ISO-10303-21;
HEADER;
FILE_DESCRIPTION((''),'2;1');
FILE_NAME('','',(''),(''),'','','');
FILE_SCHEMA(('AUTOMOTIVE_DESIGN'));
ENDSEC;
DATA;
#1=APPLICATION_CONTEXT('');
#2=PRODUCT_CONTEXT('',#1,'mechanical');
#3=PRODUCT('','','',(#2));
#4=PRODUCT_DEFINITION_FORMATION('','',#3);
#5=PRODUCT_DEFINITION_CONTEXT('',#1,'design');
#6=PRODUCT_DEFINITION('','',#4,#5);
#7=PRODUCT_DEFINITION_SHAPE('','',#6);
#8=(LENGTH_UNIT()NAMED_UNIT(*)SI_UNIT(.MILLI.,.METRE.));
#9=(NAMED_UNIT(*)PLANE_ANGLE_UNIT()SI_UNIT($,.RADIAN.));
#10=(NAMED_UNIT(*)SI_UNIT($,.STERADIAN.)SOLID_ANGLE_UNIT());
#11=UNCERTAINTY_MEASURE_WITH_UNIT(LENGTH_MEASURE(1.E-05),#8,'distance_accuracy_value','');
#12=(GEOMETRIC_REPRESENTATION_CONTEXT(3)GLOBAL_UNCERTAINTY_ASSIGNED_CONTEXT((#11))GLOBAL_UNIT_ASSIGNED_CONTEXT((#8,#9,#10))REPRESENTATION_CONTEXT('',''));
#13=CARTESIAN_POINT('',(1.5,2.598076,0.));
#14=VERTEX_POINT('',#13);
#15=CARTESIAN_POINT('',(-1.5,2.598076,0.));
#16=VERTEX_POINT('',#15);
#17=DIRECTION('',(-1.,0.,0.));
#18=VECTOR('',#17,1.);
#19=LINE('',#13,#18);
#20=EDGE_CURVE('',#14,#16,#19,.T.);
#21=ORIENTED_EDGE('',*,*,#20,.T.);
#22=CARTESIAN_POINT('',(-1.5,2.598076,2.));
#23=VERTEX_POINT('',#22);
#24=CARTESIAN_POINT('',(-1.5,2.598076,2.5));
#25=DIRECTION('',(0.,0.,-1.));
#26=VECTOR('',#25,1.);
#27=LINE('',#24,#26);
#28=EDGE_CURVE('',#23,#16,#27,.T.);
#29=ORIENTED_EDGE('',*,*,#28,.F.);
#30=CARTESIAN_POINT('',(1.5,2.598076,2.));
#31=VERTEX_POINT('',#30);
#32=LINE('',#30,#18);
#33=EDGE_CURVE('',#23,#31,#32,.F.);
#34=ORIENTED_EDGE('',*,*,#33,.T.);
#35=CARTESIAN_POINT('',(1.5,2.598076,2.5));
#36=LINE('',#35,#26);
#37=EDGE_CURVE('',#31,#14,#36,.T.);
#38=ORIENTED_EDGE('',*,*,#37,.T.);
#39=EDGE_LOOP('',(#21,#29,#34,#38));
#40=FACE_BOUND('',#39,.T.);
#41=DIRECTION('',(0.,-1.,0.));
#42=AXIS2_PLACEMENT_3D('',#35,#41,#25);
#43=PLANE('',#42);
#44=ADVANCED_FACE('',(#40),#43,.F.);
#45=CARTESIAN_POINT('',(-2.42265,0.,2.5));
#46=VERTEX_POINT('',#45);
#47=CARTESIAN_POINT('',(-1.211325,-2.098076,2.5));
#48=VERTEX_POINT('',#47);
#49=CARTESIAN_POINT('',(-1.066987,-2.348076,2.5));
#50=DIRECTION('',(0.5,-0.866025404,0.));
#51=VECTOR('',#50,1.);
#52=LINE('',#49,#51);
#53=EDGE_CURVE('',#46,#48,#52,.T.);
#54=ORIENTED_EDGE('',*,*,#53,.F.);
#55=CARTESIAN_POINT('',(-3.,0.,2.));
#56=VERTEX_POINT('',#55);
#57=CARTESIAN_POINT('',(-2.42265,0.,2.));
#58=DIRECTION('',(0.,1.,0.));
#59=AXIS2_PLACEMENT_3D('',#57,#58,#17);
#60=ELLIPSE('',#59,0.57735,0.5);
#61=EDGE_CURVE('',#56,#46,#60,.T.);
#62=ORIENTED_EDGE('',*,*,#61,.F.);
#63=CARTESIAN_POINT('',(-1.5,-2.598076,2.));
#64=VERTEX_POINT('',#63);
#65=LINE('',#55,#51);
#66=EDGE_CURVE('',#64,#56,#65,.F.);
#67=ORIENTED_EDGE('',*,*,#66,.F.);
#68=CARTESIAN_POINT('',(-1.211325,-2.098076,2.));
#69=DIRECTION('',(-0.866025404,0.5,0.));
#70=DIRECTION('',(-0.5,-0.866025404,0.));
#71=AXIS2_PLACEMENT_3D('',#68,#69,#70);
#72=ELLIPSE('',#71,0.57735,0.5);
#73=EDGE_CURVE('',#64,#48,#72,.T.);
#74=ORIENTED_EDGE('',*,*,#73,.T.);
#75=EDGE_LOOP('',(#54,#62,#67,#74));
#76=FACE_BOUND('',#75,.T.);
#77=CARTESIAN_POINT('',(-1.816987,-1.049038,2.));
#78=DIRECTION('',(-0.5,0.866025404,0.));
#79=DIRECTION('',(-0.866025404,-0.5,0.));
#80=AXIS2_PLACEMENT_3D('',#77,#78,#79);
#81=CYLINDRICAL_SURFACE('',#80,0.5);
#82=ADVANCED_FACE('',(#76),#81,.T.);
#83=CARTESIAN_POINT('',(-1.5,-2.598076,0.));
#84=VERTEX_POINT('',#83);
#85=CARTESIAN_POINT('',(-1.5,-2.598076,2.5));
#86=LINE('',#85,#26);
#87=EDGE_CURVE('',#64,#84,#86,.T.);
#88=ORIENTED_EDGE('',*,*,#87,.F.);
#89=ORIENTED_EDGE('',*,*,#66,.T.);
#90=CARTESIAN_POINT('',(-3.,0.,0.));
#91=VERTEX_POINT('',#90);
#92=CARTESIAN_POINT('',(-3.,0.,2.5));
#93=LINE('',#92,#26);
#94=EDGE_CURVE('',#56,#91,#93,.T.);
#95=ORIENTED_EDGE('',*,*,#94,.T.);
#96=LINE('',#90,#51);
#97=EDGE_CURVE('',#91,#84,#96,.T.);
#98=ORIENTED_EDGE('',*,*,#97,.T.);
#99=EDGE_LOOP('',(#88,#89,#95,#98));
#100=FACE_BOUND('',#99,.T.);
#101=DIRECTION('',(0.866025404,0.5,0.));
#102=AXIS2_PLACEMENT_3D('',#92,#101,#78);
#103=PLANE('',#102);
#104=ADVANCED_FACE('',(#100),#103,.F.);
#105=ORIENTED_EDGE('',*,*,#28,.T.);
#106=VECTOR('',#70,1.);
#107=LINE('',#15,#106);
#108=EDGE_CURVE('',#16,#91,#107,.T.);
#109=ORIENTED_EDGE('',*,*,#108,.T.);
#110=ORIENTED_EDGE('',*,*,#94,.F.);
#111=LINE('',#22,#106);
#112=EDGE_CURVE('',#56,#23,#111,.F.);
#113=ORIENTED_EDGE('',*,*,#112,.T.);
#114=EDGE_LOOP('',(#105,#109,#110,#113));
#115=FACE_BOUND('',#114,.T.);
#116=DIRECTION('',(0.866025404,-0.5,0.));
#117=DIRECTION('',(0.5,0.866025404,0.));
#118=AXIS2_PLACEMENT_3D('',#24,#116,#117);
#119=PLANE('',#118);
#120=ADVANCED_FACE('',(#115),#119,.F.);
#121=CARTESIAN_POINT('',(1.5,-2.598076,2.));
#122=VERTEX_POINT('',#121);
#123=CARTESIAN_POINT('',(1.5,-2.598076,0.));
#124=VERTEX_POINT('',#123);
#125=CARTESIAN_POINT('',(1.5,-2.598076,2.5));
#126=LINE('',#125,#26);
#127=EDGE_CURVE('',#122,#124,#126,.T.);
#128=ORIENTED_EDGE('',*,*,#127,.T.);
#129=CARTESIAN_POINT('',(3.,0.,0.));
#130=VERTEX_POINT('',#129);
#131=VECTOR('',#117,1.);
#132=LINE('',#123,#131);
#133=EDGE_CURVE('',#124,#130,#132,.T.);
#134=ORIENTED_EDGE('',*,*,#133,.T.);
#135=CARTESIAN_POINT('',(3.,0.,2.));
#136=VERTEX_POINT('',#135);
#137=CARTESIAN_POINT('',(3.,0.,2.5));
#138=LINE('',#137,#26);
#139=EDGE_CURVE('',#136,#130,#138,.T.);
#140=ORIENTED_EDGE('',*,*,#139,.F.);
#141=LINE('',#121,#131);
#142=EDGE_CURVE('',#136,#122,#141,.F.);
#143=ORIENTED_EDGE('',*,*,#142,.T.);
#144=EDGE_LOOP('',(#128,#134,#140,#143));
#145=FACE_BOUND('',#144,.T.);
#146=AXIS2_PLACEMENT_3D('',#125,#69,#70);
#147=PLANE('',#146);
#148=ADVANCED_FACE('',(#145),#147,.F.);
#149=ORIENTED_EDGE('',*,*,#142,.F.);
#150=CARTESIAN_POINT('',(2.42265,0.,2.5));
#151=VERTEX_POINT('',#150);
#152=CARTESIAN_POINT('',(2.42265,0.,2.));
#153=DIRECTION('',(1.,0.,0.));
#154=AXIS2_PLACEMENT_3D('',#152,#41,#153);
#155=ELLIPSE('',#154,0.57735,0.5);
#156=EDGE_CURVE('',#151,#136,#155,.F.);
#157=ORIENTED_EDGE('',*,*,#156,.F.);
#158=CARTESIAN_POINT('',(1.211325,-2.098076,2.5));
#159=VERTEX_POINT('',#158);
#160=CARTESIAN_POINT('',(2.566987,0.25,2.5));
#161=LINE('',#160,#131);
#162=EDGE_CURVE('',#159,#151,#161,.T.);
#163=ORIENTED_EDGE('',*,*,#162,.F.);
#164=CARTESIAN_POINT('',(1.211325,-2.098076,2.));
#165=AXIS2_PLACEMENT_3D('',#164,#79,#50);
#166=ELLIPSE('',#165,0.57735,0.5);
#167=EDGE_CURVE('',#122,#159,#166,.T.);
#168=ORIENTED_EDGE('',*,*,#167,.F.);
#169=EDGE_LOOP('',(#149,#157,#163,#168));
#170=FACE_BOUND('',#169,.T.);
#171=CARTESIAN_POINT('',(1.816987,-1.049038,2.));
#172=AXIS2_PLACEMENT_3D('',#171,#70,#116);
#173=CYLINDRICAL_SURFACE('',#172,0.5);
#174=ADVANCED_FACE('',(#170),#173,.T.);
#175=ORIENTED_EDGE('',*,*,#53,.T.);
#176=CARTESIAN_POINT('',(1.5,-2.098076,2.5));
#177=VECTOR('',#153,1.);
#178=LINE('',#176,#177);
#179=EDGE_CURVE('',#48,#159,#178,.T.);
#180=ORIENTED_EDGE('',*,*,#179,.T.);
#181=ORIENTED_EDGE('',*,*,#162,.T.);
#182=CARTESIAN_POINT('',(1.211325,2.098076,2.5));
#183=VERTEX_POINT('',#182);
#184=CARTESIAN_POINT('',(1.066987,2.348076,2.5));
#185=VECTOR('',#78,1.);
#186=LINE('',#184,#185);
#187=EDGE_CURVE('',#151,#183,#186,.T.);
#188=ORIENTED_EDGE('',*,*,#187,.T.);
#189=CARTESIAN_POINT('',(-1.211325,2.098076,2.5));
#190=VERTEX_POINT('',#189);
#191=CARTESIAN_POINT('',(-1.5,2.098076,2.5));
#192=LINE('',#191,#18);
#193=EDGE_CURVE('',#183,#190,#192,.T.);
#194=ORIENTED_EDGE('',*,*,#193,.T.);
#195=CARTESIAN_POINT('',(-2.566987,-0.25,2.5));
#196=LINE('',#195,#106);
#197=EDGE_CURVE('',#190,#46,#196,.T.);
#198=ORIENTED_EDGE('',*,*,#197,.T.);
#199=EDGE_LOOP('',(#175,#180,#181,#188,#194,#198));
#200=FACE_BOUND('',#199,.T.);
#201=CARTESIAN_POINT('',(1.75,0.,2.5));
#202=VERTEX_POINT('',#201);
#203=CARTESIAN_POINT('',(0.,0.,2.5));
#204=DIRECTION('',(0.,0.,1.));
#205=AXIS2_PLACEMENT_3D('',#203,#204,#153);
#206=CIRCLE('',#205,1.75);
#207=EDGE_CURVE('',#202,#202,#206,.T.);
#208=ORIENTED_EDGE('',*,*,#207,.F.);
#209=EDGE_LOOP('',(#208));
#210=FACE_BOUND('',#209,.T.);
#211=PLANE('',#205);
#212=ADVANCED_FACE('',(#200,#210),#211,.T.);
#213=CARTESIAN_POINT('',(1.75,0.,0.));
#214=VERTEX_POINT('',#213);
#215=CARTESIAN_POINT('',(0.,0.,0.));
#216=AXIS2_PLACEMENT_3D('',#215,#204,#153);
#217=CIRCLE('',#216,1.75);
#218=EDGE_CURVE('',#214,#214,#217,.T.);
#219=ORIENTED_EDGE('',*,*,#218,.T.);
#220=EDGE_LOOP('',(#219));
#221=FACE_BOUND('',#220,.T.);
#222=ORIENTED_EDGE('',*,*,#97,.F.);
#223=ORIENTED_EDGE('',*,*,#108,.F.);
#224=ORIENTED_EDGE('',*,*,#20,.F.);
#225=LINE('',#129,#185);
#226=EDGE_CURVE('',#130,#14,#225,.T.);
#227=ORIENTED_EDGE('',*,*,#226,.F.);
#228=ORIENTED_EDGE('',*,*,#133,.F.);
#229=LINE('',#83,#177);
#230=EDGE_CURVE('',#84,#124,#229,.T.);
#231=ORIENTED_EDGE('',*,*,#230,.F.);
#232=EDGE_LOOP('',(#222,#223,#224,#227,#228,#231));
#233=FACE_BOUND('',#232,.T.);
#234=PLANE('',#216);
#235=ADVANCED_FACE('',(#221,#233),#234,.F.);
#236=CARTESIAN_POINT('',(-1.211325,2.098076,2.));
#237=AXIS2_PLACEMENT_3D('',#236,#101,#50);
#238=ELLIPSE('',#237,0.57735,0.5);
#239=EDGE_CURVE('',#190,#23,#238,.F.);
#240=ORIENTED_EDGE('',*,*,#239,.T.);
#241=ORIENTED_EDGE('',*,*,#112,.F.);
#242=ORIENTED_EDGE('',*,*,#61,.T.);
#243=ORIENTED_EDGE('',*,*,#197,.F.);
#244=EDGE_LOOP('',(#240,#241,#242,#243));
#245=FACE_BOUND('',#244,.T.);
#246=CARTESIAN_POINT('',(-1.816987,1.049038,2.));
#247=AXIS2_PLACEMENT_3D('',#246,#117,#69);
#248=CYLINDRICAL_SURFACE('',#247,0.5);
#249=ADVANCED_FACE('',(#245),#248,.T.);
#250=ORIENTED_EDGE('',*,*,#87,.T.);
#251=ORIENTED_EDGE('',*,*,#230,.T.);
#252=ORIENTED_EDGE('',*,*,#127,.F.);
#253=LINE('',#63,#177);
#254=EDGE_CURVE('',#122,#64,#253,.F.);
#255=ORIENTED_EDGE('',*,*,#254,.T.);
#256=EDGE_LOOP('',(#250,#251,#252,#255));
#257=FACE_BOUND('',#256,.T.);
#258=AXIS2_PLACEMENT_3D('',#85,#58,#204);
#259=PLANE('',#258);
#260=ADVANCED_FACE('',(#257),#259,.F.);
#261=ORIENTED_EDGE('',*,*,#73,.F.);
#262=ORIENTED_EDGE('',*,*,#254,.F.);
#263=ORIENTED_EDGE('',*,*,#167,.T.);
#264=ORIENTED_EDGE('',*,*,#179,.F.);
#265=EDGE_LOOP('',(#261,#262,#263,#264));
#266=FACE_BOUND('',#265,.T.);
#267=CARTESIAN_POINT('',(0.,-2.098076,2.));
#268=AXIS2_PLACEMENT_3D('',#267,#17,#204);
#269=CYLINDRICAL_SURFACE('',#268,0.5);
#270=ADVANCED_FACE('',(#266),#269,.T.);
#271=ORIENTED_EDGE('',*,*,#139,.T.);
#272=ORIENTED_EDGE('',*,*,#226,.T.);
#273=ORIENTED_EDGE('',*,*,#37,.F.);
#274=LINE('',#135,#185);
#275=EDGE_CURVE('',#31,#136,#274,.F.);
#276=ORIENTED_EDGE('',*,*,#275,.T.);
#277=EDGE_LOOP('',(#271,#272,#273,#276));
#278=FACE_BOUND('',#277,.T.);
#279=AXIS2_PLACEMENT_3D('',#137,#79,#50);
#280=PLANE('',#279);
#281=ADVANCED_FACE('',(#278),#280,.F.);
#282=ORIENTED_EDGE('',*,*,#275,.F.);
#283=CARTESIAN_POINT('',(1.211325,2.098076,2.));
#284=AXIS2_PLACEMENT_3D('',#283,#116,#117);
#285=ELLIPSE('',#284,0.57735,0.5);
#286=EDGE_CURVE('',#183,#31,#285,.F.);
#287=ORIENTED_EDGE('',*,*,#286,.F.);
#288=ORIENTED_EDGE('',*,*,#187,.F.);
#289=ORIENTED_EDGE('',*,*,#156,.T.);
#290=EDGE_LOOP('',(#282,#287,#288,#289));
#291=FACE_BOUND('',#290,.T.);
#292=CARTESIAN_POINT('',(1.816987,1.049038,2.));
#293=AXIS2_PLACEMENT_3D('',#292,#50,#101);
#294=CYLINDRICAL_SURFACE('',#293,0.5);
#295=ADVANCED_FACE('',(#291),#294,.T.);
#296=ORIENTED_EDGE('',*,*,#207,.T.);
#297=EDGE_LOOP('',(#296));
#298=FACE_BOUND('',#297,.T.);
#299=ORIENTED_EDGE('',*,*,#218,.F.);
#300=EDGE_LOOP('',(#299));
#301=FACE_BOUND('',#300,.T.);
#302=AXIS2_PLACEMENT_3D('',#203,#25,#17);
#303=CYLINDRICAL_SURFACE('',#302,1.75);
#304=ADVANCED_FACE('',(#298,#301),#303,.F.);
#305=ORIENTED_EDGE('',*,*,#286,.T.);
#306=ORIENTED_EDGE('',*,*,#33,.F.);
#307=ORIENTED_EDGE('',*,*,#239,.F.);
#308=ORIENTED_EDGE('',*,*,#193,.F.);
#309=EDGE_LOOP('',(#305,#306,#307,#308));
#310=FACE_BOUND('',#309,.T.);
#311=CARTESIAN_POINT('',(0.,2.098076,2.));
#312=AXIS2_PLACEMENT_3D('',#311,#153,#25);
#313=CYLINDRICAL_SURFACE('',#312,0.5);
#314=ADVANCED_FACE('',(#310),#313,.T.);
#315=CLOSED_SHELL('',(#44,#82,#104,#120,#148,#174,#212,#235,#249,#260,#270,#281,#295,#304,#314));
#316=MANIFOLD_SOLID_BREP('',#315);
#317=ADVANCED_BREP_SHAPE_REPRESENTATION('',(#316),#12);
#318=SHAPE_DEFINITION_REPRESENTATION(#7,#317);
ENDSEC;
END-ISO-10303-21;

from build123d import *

# Parameters (mm, degrees)
SKETCH_1_R      = 1.75
EXTRUDE_1_DEPTH = 2.5
FILLET_1_R      = 0.5


with BuildPart() as part:
    # ｽｹｯﾁ1 → ﾎﾞｽ - 押し出し1 (new body)
    with BuildSketch(Plane.XY):
        Polygon((3, 0), (1.5, 2.598076211), (-1.5, 2.598076211), (-3, 0), (-1.5, -2.598076211), (1.5, -2.598076211), align=None)
        Circle(SKETCH_1_R, mode=Mode.SUBTRACT)
    extrude(amount=EXTRUDE_1_DEPTH)

    # ﾌｨﾚｯﾄ1
    fillet_1_edges = [part.edges().sort_by_distance(p)[0] for p in [
        (0, 2.598076211, 2.5),
        (-2.25, 1.299038106, 2.5),
        (-2.25, -1.299038106, 2.5),
        (0, -2.598076211, 2.5),
        (2.25, -1.299038106, 2.5),
        (2.25, 1.299038106, 2.5),
    ]]
    fillet(fillet_1_edges, radius=FILLET_1_R)


solid = part.part
